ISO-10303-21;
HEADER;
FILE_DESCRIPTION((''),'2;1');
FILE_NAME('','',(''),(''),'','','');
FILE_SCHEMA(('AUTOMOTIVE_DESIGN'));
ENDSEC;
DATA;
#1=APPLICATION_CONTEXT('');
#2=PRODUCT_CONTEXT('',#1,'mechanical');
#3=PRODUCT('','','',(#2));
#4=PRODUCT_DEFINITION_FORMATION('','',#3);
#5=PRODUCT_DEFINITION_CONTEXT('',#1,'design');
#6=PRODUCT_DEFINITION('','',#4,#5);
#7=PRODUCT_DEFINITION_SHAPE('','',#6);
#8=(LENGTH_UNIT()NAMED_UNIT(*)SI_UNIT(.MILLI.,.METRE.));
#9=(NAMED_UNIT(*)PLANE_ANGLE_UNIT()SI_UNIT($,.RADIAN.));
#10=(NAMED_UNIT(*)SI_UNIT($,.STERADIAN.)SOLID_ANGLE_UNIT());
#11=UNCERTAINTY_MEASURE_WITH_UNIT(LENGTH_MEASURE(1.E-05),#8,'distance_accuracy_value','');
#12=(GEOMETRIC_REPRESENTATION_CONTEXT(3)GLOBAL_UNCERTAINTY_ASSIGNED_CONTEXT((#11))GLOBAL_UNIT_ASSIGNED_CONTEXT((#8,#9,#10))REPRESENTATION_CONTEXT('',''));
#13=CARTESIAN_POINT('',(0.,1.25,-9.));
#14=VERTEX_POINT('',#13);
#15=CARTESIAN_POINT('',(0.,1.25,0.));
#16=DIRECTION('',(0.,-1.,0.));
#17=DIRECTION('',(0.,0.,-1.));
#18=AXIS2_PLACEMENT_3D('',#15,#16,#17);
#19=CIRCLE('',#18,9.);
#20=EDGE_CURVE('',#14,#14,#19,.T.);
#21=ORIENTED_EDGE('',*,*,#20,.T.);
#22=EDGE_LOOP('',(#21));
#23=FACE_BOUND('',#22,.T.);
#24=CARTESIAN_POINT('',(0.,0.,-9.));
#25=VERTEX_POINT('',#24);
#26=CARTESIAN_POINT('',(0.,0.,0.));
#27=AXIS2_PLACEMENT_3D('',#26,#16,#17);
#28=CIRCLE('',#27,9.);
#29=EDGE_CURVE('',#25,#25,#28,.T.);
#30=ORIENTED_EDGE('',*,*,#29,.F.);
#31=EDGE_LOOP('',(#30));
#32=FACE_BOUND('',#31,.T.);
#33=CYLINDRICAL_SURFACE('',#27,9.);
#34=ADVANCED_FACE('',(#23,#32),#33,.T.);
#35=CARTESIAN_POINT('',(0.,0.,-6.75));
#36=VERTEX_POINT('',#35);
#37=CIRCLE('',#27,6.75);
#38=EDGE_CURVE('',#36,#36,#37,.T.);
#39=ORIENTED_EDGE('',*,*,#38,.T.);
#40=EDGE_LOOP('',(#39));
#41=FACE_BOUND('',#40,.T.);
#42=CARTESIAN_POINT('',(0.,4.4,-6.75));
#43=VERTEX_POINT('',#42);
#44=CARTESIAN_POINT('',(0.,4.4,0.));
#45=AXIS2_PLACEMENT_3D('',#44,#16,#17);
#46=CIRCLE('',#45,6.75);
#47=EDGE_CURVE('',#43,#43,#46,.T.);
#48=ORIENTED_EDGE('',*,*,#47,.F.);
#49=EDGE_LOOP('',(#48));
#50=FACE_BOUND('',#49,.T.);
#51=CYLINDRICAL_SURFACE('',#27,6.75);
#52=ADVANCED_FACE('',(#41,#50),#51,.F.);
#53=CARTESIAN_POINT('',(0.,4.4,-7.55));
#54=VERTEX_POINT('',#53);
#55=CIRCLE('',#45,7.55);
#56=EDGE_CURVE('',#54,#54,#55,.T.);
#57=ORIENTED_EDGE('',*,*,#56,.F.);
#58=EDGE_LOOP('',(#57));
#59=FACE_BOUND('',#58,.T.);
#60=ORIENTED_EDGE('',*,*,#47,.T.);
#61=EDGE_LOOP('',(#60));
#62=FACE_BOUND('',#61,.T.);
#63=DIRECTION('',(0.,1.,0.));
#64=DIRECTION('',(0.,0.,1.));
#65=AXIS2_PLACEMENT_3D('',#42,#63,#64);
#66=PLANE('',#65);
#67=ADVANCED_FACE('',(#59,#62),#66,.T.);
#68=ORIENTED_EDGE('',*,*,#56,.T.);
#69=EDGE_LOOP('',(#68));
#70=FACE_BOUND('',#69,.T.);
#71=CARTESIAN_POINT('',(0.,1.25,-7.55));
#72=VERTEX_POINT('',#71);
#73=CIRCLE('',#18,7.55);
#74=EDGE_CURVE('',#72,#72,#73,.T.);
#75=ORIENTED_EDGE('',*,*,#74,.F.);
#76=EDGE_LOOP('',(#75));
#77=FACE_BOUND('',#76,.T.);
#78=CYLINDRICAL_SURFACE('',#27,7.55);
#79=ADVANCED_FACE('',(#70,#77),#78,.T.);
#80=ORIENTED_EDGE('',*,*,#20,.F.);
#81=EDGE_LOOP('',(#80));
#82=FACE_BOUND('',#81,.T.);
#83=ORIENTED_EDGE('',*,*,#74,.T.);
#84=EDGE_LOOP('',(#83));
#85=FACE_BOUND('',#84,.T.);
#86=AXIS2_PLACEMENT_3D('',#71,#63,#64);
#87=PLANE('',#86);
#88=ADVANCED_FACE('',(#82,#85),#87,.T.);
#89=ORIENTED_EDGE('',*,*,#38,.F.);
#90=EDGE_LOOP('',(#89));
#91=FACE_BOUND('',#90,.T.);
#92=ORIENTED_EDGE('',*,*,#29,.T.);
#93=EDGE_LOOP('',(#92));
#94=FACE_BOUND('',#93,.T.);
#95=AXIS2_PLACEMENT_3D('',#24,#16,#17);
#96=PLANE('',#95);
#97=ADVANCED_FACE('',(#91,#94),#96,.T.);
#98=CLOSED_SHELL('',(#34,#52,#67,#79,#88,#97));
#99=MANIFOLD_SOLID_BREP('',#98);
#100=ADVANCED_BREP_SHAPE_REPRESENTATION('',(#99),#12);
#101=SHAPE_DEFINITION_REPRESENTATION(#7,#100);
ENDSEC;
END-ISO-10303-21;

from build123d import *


with BuildPart() as part:
    # Sketch1 → Revolve1 (revolve)
    with BuildSketch(Plane(origin=(0, 0, 0), x_dir=(0, 0, -1), z_dir=(1, 0, 0))):
        Polygon((6.75, 0), (6.75, 4.4), (7.55, 4.4), (7.55, 1.25), (9, 1.25), (9, 0), align=None)
    revolve(axis=Axis((0, 0, 0), (0, 1, 0)))


solid = part.part
